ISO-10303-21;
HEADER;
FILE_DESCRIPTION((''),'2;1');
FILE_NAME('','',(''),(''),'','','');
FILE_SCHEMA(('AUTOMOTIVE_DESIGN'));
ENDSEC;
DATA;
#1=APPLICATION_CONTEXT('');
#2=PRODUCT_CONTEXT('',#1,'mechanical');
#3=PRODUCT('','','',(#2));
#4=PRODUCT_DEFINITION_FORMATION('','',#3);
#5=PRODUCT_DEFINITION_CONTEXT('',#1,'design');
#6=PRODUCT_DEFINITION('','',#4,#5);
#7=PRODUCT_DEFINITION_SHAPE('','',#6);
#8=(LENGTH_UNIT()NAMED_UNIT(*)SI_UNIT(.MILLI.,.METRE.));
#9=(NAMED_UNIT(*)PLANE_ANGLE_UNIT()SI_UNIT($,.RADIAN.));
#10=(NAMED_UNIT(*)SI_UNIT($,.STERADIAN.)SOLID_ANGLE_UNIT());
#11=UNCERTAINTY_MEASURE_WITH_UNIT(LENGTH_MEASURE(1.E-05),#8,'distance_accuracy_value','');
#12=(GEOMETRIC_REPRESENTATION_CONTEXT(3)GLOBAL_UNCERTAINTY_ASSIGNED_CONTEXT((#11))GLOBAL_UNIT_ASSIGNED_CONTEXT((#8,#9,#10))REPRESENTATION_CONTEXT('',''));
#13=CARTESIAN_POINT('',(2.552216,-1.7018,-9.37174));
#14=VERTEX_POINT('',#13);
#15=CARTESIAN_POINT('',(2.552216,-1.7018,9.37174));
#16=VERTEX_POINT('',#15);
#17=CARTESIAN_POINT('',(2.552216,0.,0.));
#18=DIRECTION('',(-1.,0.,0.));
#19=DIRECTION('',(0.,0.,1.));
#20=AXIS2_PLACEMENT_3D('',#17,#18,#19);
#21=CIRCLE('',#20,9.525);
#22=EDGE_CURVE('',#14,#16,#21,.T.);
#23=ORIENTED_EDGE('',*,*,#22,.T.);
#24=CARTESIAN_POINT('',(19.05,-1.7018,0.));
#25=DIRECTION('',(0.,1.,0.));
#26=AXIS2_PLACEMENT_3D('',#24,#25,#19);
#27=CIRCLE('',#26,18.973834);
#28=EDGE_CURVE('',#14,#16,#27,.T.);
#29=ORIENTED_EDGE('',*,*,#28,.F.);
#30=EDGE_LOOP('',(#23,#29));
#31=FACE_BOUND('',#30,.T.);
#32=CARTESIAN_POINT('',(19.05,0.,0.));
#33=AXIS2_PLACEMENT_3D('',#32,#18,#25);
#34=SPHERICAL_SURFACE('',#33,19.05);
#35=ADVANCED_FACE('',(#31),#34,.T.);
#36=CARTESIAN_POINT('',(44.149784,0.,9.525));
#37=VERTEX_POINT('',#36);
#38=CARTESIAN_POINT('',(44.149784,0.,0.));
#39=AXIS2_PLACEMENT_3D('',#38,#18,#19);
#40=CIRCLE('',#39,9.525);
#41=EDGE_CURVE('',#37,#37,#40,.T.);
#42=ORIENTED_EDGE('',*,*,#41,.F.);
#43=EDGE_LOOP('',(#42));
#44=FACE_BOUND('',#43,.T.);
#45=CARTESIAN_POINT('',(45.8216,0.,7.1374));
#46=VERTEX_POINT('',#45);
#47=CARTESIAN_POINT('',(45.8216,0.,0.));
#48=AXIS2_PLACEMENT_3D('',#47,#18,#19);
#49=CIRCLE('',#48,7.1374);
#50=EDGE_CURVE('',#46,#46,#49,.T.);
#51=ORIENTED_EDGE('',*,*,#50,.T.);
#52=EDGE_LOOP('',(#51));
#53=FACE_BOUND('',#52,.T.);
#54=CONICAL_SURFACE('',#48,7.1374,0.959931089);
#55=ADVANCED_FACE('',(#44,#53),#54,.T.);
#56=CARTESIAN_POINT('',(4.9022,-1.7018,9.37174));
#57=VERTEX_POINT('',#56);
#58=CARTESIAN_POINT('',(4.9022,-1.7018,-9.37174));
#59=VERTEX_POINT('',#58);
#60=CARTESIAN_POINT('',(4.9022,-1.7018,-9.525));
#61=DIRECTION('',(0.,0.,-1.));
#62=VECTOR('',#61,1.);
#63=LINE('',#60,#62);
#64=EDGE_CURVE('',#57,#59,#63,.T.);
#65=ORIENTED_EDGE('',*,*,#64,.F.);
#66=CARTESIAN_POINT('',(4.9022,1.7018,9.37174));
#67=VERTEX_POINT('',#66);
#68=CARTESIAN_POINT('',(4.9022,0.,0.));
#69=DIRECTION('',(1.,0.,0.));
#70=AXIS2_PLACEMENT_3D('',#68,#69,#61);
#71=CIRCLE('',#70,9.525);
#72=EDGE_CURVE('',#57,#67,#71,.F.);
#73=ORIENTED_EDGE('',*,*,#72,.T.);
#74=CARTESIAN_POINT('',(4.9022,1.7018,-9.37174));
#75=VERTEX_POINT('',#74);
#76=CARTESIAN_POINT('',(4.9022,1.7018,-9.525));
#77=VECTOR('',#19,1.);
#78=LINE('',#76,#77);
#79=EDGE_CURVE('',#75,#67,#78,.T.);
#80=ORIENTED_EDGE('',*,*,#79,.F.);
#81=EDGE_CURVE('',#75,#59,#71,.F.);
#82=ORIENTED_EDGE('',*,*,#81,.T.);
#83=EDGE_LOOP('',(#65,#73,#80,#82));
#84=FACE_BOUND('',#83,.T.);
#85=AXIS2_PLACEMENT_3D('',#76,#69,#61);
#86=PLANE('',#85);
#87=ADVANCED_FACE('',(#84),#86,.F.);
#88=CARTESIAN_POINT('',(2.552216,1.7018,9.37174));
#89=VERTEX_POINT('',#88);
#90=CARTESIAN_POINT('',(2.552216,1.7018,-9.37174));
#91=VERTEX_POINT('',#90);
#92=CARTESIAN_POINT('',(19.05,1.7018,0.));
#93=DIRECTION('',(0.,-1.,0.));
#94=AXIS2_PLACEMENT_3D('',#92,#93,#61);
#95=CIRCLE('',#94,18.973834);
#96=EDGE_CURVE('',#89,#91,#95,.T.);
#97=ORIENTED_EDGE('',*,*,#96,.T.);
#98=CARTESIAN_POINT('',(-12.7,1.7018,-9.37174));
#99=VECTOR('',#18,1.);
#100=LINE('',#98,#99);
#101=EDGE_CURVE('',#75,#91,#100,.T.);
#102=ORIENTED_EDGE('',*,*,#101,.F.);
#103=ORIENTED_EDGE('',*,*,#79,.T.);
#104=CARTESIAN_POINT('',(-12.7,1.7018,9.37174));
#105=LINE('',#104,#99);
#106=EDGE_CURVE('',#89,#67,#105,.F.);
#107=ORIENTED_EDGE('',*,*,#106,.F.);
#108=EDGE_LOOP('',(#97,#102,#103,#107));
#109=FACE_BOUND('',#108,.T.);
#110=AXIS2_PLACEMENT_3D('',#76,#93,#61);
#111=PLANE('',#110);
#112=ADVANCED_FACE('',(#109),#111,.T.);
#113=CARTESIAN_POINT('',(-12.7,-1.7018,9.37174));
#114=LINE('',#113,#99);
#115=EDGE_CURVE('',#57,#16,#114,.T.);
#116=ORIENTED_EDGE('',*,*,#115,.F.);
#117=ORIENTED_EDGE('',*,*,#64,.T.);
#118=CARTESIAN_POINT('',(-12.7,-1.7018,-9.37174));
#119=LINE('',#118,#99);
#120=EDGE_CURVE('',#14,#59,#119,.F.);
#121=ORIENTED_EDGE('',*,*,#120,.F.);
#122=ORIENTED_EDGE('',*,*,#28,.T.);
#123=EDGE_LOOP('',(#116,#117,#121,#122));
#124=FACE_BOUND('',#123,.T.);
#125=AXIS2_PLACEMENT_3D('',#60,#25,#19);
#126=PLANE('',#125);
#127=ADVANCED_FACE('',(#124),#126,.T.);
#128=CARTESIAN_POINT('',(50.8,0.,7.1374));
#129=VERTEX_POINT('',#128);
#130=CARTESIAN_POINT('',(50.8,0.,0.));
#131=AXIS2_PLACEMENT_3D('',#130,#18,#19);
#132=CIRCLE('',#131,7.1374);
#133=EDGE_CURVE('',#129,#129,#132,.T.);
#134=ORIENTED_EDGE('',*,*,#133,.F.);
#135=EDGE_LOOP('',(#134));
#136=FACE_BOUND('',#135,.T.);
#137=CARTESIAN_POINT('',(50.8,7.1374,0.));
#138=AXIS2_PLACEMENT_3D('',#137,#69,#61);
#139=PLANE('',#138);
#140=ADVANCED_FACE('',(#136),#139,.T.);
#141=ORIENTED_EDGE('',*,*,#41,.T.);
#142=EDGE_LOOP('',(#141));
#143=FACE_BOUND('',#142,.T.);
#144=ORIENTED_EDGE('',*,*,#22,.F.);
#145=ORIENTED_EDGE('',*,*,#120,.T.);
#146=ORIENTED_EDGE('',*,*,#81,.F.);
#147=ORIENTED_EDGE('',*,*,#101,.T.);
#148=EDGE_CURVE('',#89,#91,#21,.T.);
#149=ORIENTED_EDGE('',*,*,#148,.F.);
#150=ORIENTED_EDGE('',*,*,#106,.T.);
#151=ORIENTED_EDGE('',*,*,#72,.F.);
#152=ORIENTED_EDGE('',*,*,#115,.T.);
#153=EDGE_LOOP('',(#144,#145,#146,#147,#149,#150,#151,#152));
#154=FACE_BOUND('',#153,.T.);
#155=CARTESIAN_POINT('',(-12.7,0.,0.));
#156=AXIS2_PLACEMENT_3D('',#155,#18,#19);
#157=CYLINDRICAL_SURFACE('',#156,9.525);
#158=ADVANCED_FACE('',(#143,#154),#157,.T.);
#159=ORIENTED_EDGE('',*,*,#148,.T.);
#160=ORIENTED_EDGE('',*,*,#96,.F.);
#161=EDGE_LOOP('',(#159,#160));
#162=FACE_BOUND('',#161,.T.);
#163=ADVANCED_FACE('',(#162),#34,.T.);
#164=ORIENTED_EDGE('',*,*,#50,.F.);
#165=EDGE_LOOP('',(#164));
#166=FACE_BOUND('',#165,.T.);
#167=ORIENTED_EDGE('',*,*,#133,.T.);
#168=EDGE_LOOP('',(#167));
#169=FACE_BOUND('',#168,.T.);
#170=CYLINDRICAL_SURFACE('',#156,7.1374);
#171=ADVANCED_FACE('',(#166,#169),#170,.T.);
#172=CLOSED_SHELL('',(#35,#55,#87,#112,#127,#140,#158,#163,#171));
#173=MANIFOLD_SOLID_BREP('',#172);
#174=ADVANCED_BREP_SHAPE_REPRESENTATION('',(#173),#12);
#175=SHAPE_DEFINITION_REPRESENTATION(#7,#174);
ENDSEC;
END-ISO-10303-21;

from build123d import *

# Parameters (mm, degrees)
SKETCH2_W  = 19.05
SKETCH2_H  = 3.4036
SLOT_DEPTH = 4.9022


with BuildPart() as part:
    # BodySke → BaseBody (revolve)
    with BuildSketch(Plane.XY, mode=Mode.PRIVATE) as basebody_sk:
        with BuildLine():
            Line((45.8216, 7.1374), (50.8, 7.1374))
            Line((50.8, 7.1374), (50.8, 0))
            Line((50.8, 0), (0, 0))
            ThreePointArc((0, 0), (0.649113009, 4.930502809), (2.552216058, 9.525))
            Line((2.552216058, 9.525), (44.149784482, 9.525))
            Line((44.149784482, 9.525), (45.8216, 7.1374))
        make_face()
    revolve(basebody_sk.sketch.rotate(Axis((-12.7, 0, 0), (1, 0, 0)), 90), axis=Axis((-12.7, 0, 0), (1, 0, 0)))

    # Sketch2 → Slot (cut)
    with BuildSketch(Plane(origin=(0, 0, 0), x_dir=(0, 0, -1), z_dir=(1, 0, 0))):
        Rectangle(SKETCH2_W, SKETCH2_H)
    extrude(amount=SLOT_DEPTH, mode=Mode.SUBTRACT)


solid = part.part
